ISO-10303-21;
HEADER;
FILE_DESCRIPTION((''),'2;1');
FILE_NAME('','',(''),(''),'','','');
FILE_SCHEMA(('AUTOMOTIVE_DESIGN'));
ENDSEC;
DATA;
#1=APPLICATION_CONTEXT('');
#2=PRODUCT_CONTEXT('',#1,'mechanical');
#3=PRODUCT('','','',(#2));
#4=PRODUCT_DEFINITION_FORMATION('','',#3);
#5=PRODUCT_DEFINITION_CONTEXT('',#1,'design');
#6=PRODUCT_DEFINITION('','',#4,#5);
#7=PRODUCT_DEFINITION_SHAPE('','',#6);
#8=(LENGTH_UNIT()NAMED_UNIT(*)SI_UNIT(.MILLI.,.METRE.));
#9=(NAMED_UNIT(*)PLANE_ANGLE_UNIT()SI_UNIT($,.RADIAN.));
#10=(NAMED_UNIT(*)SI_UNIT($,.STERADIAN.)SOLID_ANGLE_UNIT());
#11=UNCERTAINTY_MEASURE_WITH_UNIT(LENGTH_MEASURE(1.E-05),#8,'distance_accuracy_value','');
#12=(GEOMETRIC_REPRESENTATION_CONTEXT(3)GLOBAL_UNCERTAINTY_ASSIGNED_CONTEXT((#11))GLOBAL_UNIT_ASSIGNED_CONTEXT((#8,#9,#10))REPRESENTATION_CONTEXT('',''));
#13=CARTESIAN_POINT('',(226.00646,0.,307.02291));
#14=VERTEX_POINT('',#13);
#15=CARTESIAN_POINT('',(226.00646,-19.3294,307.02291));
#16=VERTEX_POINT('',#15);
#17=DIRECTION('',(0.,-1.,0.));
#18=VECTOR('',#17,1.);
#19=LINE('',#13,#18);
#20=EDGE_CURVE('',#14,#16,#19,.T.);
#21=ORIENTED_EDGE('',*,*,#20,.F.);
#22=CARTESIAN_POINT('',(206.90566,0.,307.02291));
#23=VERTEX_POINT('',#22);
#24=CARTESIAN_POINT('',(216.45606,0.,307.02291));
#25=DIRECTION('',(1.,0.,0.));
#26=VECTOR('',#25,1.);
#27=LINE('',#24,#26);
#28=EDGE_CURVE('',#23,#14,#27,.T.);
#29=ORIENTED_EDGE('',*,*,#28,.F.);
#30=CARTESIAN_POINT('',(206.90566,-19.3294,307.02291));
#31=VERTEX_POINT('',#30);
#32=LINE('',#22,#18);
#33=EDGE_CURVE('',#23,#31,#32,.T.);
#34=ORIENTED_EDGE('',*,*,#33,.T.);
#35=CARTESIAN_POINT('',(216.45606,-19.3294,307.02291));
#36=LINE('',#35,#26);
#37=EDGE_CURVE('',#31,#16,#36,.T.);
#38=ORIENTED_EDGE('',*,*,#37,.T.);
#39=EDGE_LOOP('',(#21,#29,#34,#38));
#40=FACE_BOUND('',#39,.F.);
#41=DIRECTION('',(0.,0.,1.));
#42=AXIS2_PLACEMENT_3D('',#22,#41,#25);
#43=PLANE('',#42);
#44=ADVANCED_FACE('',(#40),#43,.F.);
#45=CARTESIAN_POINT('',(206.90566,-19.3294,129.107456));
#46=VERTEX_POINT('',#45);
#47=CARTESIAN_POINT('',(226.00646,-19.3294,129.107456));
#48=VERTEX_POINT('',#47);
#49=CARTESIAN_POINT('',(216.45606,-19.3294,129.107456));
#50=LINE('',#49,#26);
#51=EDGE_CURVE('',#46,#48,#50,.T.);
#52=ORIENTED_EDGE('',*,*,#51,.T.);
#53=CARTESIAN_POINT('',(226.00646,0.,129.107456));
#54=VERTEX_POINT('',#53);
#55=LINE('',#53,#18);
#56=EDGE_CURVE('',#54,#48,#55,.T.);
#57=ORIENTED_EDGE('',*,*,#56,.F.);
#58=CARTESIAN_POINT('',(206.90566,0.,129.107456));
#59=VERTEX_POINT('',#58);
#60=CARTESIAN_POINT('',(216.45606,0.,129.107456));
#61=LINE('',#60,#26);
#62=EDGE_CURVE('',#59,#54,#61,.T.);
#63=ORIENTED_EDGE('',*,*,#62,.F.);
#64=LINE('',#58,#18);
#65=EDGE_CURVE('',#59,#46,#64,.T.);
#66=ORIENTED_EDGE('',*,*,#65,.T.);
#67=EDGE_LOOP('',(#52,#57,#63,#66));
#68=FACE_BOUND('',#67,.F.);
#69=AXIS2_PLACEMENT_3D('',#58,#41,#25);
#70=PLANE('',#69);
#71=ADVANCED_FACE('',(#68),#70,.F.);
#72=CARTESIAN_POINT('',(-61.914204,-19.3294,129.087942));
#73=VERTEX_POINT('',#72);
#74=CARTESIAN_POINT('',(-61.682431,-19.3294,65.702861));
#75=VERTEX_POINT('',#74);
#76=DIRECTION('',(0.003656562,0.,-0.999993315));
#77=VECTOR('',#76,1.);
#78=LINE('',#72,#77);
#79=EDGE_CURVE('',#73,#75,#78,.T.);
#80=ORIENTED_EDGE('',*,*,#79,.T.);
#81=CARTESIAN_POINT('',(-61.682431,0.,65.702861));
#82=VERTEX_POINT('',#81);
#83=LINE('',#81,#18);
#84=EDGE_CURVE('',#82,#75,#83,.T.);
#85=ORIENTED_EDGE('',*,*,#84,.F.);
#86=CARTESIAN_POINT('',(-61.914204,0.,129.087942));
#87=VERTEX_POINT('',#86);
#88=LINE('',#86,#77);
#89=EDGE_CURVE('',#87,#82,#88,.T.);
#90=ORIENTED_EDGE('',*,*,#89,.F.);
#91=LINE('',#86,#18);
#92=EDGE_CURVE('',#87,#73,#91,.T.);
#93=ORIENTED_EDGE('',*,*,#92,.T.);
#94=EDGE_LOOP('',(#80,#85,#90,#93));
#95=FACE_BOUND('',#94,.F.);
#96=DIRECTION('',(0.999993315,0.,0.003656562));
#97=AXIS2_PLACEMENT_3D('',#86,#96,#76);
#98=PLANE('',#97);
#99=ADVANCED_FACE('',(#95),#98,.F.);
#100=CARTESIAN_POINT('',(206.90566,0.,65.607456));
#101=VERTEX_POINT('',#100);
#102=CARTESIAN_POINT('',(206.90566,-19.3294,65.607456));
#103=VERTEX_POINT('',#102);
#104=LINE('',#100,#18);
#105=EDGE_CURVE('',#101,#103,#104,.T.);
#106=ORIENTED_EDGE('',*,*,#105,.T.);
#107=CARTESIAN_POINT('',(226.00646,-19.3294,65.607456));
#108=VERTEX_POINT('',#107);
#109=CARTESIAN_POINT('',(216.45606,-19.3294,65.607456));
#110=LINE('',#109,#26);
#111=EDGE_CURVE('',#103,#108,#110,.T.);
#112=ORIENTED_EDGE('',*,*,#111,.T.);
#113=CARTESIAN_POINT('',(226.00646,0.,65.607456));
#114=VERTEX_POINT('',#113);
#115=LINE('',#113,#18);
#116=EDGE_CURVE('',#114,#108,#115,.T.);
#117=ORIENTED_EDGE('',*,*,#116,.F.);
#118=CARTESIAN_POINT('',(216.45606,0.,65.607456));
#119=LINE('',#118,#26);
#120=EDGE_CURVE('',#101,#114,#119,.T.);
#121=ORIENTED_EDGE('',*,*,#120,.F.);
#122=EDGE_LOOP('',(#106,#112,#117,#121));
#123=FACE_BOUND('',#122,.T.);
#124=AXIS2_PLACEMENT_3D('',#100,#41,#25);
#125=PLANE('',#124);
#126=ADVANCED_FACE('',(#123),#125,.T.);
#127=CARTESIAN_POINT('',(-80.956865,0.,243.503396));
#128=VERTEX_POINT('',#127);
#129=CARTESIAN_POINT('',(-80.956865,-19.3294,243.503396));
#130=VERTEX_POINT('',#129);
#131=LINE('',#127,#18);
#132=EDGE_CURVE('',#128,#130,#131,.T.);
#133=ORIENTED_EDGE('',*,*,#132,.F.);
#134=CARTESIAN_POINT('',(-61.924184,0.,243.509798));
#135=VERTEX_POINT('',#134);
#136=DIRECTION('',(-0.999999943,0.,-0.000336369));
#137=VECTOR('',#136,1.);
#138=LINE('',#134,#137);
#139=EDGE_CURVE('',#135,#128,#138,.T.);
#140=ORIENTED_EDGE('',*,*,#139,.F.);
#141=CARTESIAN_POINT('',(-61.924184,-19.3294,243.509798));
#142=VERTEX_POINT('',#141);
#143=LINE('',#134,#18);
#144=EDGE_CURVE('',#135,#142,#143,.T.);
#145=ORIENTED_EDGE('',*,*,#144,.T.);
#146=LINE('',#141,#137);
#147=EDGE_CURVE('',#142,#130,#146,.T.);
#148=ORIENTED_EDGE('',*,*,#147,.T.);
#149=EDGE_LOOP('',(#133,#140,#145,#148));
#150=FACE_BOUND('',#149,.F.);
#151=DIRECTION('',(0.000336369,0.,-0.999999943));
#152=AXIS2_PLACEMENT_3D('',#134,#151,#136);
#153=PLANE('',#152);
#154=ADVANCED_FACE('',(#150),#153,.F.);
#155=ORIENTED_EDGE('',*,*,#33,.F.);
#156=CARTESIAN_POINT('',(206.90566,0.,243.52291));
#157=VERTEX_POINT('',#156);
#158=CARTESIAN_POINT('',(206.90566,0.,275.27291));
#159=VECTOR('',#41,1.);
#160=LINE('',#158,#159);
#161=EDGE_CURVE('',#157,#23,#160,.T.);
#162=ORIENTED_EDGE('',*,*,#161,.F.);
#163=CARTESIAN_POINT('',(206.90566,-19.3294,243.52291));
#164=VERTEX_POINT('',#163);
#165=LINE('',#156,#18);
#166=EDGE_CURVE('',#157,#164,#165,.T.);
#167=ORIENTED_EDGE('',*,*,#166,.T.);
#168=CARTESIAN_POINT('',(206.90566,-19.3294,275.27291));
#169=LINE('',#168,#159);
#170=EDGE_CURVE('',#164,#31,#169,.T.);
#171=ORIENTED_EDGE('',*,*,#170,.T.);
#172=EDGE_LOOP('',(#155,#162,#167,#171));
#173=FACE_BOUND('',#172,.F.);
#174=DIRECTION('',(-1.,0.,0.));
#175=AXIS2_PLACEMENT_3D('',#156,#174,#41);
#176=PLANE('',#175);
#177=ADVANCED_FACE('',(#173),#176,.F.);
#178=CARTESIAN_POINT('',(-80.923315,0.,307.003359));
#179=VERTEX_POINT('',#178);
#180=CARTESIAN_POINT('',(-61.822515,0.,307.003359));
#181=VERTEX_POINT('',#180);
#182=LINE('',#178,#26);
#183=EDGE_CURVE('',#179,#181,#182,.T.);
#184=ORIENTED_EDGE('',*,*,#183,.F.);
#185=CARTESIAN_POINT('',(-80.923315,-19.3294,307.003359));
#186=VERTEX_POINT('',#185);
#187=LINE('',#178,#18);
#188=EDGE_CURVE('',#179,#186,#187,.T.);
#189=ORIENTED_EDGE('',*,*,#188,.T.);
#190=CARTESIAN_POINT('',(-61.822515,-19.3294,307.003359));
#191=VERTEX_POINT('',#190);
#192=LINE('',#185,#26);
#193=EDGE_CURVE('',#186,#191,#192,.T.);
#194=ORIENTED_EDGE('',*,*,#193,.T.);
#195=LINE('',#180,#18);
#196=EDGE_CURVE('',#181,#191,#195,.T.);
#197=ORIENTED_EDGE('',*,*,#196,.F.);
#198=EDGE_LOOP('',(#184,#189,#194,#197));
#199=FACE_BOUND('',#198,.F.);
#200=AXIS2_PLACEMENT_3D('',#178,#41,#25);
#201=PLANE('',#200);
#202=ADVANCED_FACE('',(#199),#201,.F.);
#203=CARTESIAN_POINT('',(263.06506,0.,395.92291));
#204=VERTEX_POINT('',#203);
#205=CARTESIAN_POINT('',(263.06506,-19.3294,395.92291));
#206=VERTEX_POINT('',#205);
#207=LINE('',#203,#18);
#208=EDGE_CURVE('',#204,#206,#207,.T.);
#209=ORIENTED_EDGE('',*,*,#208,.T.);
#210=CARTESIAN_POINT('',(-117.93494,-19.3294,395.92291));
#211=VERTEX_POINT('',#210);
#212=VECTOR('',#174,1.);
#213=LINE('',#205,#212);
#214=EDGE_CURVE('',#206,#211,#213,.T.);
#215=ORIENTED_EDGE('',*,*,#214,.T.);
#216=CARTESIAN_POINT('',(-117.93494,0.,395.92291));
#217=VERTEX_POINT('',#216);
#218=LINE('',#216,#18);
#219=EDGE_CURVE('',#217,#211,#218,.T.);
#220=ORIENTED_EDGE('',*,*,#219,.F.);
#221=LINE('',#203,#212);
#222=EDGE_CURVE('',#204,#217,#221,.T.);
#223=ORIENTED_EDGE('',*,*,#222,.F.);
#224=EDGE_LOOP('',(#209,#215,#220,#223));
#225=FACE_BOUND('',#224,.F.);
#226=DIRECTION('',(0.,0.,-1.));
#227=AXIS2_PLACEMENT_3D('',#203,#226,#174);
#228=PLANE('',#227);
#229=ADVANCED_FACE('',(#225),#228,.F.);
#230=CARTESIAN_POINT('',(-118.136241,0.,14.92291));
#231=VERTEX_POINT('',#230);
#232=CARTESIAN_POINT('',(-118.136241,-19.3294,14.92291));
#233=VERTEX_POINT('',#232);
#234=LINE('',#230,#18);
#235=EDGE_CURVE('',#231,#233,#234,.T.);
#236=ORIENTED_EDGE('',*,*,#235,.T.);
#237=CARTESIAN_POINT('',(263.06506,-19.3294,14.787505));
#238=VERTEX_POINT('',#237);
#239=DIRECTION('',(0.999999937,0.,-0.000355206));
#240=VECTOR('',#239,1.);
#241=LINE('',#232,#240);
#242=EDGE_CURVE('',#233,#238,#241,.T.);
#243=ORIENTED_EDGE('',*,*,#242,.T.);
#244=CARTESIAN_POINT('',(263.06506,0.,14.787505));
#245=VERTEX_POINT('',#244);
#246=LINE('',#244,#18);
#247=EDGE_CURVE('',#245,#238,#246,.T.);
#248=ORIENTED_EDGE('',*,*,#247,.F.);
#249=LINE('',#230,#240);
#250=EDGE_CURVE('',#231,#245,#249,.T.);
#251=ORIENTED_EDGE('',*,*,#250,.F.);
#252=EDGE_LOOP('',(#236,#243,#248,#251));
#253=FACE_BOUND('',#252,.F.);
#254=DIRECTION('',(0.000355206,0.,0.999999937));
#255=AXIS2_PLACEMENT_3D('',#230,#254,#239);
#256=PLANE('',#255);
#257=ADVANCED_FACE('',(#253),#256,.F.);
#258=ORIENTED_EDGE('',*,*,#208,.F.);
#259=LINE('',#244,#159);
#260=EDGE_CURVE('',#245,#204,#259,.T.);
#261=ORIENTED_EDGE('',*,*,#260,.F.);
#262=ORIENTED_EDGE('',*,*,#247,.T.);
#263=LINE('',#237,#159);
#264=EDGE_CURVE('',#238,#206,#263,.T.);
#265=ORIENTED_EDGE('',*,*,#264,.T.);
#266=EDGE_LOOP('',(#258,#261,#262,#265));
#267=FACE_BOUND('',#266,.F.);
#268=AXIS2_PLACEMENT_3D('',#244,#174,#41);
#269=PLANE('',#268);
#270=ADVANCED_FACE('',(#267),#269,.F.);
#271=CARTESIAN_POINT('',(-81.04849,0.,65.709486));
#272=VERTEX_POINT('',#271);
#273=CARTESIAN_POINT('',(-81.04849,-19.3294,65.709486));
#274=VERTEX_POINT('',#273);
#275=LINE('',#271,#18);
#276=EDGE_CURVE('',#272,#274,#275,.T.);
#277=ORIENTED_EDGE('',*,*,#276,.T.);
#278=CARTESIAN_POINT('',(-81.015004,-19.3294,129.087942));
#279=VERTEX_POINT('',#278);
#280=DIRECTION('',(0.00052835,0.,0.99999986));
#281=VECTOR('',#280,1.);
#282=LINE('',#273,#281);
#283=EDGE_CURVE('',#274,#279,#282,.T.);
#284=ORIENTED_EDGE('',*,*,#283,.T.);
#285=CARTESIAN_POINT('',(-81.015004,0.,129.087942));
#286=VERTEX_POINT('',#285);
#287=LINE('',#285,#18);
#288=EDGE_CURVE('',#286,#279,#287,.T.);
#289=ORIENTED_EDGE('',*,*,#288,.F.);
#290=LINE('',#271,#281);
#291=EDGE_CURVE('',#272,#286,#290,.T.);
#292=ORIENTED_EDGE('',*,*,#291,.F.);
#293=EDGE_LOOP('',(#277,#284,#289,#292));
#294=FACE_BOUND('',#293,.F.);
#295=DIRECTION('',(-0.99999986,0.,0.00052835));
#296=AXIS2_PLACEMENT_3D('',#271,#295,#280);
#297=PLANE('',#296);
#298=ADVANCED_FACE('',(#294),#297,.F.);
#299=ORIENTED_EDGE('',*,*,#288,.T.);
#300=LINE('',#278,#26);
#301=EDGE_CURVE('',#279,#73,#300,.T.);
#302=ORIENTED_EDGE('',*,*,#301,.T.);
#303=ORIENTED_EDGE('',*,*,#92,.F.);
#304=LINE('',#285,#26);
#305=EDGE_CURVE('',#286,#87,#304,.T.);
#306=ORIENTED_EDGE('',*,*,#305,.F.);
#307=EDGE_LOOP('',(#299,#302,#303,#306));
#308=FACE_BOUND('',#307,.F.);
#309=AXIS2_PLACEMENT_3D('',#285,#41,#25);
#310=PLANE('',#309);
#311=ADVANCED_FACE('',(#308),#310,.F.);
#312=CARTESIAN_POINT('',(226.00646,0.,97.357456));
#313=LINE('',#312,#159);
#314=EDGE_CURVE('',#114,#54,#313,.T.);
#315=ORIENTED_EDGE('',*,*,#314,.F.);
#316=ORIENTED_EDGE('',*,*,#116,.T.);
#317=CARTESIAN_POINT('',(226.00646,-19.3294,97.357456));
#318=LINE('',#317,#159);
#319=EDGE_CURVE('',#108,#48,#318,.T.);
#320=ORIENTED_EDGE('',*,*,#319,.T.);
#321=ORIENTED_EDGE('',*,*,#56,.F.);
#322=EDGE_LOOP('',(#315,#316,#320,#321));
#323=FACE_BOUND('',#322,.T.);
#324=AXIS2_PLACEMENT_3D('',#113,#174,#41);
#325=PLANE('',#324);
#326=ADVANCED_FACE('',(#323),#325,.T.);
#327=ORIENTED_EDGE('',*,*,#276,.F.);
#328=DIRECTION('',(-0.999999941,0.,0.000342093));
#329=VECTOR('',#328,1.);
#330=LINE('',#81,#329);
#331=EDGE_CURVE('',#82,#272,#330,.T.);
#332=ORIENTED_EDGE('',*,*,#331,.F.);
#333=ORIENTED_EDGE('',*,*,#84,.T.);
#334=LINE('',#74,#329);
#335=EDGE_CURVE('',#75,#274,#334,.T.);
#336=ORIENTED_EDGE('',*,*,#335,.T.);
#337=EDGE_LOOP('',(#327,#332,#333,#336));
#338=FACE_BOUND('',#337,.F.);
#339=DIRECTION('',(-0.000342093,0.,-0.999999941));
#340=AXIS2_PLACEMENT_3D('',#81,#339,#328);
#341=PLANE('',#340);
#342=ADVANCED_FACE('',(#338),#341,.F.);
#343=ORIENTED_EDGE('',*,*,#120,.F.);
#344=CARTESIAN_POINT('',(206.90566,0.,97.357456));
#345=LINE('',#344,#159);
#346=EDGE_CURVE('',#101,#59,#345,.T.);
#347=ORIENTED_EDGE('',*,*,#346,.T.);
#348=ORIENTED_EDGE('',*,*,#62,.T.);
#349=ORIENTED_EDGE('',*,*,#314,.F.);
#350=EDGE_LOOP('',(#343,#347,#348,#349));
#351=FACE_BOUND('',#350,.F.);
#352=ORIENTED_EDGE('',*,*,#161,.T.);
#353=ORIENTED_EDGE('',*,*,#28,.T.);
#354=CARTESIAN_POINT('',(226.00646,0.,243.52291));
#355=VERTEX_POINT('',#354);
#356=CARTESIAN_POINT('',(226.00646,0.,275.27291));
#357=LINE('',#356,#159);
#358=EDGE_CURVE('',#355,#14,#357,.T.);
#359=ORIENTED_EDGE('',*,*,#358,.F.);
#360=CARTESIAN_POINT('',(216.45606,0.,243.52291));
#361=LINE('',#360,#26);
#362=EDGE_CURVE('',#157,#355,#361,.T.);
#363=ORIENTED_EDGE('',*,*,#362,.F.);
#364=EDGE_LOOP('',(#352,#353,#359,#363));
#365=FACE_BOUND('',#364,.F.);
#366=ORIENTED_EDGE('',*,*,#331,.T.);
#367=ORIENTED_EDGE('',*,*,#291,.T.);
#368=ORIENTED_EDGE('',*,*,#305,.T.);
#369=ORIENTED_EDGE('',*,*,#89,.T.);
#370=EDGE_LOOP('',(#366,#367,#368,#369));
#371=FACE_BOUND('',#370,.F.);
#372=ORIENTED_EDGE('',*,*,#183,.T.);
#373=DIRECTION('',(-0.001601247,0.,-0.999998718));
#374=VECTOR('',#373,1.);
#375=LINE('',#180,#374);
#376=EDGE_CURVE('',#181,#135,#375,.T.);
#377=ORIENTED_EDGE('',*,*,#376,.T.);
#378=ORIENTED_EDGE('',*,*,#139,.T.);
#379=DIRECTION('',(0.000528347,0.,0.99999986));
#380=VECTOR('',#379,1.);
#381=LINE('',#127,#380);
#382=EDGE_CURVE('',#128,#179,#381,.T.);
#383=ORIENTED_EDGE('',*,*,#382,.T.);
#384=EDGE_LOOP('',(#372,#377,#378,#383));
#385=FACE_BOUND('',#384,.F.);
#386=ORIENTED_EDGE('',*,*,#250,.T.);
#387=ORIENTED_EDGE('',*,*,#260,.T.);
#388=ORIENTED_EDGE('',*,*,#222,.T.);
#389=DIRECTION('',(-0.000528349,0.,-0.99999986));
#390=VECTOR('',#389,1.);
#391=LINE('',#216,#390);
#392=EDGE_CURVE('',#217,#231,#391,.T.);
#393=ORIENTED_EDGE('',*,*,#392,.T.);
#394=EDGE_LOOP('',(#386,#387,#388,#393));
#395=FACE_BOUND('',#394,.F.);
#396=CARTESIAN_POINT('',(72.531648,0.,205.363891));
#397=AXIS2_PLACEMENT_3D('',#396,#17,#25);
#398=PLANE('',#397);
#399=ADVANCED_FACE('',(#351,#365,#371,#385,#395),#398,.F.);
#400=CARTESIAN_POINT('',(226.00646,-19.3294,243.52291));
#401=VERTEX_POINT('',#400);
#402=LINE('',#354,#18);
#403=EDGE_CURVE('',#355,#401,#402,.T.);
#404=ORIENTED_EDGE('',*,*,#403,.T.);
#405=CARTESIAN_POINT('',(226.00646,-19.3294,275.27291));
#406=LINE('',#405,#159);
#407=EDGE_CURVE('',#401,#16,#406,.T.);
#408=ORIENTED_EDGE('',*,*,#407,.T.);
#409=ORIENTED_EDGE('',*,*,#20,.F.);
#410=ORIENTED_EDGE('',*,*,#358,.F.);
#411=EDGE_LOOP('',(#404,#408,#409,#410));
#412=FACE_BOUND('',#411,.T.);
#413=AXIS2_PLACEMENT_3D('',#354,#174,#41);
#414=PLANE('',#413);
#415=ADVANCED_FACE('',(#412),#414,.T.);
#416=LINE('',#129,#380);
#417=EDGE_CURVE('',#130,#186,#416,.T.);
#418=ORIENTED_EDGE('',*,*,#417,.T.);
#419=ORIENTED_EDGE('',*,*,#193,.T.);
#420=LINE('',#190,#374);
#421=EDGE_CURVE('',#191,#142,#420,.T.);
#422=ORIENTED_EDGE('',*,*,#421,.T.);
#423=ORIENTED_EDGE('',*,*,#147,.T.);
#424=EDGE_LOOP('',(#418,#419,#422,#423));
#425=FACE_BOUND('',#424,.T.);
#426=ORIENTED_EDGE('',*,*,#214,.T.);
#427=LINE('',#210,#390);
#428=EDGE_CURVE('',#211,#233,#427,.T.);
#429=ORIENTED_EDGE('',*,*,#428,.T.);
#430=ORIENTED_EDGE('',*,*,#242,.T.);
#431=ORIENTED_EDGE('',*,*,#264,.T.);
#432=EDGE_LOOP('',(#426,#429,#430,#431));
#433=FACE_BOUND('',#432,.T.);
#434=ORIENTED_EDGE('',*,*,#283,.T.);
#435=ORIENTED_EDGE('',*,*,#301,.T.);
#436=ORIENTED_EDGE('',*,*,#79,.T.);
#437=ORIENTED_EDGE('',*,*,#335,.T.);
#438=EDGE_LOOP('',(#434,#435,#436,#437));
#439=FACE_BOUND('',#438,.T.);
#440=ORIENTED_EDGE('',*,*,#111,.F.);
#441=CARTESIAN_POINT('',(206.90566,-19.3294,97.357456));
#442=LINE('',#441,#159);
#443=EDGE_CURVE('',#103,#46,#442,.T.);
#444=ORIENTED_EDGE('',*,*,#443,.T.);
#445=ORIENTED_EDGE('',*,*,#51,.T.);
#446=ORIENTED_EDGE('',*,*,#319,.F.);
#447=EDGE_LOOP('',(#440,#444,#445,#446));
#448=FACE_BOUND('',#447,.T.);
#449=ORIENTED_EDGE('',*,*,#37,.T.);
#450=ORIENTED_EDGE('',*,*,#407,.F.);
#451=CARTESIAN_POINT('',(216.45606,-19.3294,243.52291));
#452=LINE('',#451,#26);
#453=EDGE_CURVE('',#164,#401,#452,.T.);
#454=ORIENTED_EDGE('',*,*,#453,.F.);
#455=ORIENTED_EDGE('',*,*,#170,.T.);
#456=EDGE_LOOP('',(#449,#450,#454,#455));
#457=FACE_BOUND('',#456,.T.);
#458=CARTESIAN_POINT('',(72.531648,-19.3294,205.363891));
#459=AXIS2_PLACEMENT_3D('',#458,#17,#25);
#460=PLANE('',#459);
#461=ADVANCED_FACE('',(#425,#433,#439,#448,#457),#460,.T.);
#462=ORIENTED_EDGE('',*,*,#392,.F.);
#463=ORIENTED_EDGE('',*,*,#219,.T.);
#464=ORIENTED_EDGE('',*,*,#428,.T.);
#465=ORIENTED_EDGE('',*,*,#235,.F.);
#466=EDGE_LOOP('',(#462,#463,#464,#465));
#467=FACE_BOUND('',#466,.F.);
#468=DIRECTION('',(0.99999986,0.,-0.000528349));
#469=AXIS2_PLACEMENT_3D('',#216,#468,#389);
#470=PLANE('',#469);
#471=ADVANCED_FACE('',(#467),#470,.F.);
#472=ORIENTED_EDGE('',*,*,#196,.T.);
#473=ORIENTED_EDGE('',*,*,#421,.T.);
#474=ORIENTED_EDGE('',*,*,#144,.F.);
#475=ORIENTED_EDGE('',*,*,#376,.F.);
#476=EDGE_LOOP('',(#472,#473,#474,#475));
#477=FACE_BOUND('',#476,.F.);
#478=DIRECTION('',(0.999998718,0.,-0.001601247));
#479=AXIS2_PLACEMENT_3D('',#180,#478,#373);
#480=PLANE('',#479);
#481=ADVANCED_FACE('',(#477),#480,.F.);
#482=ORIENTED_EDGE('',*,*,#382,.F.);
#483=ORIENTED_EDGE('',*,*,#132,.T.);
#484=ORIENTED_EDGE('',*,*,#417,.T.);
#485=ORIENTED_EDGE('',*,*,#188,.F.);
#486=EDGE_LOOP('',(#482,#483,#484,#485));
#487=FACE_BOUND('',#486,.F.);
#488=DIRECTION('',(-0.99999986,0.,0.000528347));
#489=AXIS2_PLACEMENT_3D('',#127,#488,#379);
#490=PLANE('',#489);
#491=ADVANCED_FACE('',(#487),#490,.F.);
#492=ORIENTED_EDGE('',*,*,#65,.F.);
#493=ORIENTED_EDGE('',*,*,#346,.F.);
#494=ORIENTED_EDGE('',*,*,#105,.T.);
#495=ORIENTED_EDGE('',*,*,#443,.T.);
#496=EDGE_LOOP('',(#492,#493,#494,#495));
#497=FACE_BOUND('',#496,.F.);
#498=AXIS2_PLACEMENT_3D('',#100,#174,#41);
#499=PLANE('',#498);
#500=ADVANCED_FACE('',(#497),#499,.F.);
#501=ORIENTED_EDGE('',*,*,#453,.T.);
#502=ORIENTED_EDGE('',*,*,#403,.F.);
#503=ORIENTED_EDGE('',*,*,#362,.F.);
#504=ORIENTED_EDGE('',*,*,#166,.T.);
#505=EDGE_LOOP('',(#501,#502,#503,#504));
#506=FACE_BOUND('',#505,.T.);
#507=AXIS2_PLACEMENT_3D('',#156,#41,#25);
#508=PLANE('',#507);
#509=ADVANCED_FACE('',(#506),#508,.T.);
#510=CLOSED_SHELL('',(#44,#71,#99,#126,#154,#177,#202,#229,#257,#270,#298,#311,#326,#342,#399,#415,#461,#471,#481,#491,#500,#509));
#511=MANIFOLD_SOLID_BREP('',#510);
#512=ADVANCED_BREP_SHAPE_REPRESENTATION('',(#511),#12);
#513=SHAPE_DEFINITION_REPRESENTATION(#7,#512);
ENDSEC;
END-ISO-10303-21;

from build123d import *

# Parameters (mm, degrees)
F0_W     = 19.1008
F0_H     = 63.5
F1_DEPTH = 19.3294


with BuildPart() as f1:
    # F0 (on Front) → F1 (new body)
    with BuildSketch(Plane.XZ):
        Polygon((263.06506, 395.92291), (-117.93494, 395.92291), (-118.136241, 14.92291), (263.06506, 14.787505), align=None)
        Polygon((-81.015004, 129.087942), (-61.914204, 129.087942), (-61.682431, 65.702861), (-81.04849, 65.709486), align=None, mode=Mode.SUBTRACT)
        with Locations((216.45606, 97.357456)):
            Rectangle(F0_W, F0_H, mode=Mode.SUBTRACT)
        Polygon((-80.956865, 243.503396), (-80.923315, 307.003359), (-61.822515, 307.003359), (-61.924184, 243.509798), align=None, mode=Mode.SUBTRACT)
        with Locations((216.45606, 275.27291)):
            Rectangle(F0_W, F0_H, mode=Mode.SUBTRACT)
    extrude(amount=F1_DEPTH)


solid = f1.part
